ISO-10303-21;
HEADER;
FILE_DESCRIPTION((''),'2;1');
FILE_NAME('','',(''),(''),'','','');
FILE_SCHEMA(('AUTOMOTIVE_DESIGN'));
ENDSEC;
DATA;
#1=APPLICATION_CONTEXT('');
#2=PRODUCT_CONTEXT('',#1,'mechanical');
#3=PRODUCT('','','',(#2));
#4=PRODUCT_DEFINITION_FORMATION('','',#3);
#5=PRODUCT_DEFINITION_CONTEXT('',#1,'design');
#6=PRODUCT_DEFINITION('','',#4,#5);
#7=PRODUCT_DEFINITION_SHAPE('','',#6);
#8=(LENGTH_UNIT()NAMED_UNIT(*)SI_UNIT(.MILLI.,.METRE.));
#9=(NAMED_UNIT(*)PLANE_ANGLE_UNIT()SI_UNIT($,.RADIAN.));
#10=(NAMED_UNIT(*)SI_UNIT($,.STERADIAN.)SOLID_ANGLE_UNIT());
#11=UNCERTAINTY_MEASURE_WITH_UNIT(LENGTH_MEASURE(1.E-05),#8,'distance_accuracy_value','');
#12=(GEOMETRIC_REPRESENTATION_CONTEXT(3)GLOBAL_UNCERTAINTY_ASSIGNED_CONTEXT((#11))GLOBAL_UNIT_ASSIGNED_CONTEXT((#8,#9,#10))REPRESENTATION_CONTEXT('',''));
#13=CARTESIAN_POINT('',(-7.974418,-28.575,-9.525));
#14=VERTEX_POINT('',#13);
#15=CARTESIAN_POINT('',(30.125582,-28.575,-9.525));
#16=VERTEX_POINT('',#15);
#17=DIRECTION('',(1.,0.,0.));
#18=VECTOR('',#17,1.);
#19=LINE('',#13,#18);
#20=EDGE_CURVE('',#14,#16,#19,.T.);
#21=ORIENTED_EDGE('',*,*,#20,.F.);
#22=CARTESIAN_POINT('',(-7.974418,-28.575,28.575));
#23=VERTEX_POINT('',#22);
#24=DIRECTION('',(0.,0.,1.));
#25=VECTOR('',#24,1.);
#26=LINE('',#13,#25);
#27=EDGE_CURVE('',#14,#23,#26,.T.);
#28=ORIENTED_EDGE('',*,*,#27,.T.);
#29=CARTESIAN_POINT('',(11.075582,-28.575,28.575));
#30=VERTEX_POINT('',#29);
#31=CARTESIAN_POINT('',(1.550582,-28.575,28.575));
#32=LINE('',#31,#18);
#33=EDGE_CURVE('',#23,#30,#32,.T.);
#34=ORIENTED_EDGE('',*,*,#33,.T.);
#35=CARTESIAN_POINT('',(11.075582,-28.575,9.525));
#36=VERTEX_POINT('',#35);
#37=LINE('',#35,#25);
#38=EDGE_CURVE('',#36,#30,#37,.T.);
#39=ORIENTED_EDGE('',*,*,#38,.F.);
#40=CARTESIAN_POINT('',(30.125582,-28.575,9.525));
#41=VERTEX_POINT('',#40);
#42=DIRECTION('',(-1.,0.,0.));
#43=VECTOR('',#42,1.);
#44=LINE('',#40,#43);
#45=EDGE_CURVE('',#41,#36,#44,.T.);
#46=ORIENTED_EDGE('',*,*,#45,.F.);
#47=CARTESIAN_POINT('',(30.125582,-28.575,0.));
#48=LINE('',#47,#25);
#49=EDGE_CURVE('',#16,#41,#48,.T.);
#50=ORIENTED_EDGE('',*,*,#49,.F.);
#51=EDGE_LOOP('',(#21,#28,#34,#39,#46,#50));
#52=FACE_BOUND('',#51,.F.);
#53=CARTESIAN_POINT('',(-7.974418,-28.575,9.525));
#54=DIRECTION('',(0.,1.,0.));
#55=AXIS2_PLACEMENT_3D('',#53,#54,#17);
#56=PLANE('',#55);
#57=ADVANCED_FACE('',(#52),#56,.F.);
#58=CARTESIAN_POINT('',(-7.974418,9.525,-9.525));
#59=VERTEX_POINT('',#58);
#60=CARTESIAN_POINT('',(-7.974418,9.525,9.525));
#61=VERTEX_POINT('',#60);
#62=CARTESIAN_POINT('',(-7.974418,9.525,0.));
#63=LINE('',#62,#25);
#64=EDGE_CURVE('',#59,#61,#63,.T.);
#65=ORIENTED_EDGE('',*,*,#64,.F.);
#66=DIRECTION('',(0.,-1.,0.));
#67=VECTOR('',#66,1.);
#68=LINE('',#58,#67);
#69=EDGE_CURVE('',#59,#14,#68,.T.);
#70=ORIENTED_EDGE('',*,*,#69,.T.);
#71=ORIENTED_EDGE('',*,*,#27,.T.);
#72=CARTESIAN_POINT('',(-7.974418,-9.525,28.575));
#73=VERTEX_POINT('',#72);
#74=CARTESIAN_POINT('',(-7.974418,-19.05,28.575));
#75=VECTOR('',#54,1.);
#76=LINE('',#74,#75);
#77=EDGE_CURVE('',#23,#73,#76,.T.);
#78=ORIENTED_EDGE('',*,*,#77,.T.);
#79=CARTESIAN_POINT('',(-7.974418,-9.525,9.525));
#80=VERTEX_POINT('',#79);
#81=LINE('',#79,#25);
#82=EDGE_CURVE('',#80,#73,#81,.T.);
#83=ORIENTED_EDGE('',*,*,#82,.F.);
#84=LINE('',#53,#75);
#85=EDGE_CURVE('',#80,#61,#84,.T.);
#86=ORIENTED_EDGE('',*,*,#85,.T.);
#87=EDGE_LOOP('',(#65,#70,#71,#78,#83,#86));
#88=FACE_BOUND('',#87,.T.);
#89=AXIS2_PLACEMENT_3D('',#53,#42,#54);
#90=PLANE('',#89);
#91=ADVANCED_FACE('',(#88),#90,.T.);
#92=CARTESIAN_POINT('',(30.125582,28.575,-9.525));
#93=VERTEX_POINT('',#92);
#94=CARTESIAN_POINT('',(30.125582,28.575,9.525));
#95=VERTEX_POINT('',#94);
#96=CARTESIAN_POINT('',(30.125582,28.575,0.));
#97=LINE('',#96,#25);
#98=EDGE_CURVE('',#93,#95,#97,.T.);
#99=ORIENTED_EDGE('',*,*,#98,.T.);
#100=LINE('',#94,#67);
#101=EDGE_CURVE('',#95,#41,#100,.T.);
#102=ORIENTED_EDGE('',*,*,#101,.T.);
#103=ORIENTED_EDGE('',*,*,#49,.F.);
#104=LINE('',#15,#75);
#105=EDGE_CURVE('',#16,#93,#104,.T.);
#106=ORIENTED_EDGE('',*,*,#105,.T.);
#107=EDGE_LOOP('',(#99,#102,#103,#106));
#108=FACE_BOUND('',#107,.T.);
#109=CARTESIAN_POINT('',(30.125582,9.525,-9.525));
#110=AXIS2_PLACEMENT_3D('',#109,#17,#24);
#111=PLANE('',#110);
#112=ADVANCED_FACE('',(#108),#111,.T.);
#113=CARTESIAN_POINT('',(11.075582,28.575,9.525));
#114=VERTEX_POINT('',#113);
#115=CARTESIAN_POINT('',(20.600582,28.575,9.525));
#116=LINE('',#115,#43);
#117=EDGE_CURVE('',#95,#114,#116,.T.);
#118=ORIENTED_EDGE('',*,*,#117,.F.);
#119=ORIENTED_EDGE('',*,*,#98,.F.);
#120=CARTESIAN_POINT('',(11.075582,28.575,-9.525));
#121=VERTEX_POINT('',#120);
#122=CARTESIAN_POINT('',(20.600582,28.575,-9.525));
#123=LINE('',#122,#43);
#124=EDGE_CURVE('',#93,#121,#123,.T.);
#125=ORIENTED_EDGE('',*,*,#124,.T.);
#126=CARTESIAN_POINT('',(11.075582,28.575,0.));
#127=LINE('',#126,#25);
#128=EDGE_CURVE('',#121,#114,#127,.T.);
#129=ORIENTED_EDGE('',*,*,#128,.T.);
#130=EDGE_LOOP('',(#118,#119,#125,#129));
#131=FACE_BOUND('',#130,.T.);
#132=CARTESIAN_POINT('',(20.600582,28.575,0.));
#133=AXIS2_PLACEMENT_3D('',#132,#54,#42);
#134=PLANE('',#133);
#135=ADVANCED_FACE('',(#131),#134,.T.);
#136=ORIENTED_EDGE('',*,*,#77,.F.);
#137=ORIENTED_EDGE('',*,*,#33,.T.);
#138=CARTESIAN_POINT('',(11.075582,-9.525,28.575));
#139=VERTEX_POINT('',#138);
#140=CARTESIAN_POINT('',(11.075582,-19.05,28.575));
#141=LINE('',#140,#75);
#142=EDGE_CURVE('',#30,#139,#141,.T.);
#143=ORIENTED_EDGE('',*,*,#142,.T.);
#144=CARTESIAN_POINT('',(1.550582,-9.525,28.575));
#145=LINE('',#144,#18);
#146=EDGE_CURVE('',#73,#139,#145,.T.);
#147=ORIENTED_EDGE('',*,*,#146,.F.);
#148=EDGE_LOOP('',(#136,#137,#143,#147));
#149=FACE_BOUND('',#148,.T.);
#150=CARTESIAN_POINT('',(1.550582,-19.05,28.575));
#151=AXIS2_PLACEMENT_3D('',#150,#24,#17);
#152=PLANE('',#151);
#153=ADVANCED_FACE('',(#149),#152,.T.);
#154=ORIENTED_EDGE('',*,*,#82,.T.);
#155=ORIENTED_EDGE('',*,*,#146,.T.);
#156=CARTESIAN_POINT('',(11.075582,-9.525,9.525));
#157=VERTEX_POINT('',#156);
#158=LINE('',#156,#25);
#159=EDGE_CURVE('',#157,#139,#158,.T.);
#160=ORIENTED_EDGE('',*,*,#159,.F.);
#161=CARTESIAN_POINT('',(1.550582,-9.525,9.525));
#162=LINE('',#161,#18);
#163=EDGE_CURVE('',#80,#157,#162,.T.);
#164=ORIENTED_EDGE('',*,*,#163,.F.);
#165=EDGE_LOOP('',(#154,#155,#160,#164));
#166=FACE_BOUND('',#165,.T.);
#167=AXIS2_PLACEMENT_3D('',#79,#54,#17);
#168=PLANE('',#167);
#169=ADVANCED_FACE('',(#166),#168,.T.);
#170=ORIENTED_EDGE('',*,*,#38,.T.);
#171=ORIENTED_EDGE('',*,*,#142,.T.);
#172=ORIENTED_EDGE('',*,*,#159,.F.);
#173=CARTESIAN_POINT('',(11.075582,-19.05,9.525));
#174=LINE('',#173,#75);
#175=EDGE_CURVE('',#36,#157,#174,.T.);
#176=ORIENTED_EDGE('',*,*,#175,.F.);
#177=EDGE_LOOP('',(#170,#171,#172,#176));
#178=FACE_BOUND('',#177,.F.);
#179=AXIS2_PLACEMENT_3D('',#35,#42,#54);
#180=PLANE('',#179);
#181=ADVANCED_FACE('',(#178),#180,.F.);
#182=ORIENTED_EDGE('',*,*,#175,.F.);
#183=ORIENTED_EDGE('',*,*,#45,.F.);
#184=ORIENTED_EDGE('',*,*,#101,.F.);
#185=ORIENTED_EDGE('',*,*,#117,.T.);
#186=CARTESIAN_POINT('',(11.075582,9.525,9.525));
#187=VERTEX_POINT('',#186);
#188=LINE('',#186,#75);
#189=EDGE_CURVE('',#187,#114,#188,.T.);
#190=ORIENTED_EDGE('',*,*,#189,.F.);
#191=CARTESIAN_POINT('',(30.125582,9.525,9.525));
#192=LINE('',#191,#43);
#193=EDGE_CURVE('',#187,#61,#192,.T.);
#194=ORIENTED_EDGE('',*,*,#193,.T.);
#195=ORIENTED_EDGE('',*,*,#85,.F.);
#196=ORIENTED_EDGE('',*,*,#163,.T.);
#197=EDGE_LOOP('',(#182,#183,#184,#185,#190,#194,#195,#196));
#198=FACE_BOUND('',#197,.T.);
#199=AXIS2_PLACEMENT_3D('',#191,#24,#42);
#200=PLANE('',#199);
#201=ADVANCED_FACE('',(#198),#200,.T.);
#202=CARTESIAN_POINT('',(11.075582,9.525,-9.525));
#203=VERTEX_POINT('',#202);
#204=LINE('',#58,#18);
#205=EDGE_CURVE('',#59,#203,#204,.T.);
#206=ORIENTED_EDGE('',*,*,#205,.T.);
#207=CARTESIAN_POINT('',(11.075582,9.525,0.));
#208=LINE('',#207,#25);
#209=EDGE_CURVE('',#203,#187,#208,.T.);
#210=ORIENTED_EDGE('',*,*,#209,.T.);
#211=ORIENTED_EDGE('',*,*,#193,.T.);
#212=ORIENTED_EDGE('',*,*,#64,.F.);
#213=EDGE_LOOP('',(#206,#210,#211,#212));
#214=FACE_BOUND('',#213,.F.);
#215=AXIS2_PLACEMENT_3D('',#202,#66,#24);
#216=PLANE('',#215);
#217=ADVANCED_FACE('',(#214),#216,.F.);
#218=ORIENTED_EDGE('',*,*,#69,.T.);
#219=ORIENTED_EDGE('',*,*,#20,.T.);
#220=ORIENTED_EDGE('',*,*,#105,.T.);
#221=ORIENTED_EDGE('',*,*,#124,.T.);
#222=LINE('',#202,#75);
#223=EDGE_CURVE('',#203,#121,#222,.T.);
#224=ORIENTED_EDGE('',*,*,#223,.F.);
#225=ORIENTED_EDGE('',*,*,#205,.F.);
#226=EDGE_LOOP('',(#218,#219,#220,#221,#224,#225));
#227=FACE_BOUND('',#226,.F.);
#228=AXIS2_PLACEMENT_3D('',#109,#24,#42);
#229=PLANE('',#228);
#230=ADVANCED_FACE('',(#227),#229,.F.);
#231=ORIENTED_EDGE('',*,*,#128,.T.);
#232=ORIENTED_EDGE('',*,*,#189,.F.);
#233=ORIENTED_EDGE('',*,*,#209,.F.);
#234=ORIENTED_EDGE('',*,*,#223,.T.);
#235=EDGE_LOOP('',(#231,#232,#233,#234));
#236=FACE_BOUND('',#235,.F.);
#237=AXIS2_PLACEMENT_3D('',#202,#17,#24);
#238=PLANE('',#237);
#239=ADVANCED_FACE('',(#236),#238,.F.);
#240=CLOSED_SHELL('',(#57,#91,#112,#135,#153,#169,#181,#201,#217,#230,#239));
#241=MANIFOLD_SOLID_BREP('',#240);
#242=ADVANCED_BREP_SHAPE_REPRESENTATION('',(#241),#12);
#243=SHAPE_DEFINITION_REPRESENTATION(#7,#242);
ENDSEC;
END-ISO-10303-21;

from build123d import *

# Parameters (mm, degrees)
F0_W      = 19.05
F0_H      = 19.05
F1_DEPTH  = 9.525
F1_FACE_W = 19.05
F1_FACE_H = 19.05
F2_DEPTH  = 19.05
F2_FACE_W = 38.1
F2_FACE_H = 19.05
F3_DEPTH  = 19.05
F4_W      = 19.05
F4_H      = 19.05
F5_DEPTH  = 19.05
F6_W      = 19.05
F6_H      = 19.05
F7_DEPTH  = 19.05


with BuildPart() as f1:
    # F0 (on Front) → F1 (new body, symmetric)
    with BuildSketch(Plane.XZ):
        with Locations((1.550582, 0)):
            Rectangle(F0_W, F0_H)
    extrude(amount=F1_DEPTH, both=True)

    # F1_face (on face) → F2 (join)
    with BuildSketch(Plane(origin=(1.550582, -9.525, 0), x_dir=(1, 0, 0), z_dir=(0, -1, 0))):
        Rectangle(F1_FACE_W, F1_FACE_H)
    extrude(amount=F2_DEPTH)

    # F2_face (on face) → F3 (join)
    with BuildSketch(Plane(origin=(11.075582, -9.525, 0), x_dir=(0, 1, 0), z_dir=(1, 0, 0))):
        Rectangle(F2_FACE_W, F2_FACE_H)
    extrude(amount=F3_DEPTH)

    # F4 (on face) → F5 (join)
    with BuildSketch(Plane.XY.offset(9.525)):
        with Locations((1.550582, -19.05)):
            Rectangle(F4_W, F4_H)
    extrude(amount=F5_DEPTH)

    # F6 (on face) → F7 (join)
    with BuildSketch(Plane(origin=(0, 9.525, 0), x_dir=(-1, 0, 0), z_dir=(0, 1, 0))):
        with Locations((-20.600582, 0)):
            Rectangle(F6_W, F6_H)
    extrude(amount=F7_DEPTH)


solid = f1.part
